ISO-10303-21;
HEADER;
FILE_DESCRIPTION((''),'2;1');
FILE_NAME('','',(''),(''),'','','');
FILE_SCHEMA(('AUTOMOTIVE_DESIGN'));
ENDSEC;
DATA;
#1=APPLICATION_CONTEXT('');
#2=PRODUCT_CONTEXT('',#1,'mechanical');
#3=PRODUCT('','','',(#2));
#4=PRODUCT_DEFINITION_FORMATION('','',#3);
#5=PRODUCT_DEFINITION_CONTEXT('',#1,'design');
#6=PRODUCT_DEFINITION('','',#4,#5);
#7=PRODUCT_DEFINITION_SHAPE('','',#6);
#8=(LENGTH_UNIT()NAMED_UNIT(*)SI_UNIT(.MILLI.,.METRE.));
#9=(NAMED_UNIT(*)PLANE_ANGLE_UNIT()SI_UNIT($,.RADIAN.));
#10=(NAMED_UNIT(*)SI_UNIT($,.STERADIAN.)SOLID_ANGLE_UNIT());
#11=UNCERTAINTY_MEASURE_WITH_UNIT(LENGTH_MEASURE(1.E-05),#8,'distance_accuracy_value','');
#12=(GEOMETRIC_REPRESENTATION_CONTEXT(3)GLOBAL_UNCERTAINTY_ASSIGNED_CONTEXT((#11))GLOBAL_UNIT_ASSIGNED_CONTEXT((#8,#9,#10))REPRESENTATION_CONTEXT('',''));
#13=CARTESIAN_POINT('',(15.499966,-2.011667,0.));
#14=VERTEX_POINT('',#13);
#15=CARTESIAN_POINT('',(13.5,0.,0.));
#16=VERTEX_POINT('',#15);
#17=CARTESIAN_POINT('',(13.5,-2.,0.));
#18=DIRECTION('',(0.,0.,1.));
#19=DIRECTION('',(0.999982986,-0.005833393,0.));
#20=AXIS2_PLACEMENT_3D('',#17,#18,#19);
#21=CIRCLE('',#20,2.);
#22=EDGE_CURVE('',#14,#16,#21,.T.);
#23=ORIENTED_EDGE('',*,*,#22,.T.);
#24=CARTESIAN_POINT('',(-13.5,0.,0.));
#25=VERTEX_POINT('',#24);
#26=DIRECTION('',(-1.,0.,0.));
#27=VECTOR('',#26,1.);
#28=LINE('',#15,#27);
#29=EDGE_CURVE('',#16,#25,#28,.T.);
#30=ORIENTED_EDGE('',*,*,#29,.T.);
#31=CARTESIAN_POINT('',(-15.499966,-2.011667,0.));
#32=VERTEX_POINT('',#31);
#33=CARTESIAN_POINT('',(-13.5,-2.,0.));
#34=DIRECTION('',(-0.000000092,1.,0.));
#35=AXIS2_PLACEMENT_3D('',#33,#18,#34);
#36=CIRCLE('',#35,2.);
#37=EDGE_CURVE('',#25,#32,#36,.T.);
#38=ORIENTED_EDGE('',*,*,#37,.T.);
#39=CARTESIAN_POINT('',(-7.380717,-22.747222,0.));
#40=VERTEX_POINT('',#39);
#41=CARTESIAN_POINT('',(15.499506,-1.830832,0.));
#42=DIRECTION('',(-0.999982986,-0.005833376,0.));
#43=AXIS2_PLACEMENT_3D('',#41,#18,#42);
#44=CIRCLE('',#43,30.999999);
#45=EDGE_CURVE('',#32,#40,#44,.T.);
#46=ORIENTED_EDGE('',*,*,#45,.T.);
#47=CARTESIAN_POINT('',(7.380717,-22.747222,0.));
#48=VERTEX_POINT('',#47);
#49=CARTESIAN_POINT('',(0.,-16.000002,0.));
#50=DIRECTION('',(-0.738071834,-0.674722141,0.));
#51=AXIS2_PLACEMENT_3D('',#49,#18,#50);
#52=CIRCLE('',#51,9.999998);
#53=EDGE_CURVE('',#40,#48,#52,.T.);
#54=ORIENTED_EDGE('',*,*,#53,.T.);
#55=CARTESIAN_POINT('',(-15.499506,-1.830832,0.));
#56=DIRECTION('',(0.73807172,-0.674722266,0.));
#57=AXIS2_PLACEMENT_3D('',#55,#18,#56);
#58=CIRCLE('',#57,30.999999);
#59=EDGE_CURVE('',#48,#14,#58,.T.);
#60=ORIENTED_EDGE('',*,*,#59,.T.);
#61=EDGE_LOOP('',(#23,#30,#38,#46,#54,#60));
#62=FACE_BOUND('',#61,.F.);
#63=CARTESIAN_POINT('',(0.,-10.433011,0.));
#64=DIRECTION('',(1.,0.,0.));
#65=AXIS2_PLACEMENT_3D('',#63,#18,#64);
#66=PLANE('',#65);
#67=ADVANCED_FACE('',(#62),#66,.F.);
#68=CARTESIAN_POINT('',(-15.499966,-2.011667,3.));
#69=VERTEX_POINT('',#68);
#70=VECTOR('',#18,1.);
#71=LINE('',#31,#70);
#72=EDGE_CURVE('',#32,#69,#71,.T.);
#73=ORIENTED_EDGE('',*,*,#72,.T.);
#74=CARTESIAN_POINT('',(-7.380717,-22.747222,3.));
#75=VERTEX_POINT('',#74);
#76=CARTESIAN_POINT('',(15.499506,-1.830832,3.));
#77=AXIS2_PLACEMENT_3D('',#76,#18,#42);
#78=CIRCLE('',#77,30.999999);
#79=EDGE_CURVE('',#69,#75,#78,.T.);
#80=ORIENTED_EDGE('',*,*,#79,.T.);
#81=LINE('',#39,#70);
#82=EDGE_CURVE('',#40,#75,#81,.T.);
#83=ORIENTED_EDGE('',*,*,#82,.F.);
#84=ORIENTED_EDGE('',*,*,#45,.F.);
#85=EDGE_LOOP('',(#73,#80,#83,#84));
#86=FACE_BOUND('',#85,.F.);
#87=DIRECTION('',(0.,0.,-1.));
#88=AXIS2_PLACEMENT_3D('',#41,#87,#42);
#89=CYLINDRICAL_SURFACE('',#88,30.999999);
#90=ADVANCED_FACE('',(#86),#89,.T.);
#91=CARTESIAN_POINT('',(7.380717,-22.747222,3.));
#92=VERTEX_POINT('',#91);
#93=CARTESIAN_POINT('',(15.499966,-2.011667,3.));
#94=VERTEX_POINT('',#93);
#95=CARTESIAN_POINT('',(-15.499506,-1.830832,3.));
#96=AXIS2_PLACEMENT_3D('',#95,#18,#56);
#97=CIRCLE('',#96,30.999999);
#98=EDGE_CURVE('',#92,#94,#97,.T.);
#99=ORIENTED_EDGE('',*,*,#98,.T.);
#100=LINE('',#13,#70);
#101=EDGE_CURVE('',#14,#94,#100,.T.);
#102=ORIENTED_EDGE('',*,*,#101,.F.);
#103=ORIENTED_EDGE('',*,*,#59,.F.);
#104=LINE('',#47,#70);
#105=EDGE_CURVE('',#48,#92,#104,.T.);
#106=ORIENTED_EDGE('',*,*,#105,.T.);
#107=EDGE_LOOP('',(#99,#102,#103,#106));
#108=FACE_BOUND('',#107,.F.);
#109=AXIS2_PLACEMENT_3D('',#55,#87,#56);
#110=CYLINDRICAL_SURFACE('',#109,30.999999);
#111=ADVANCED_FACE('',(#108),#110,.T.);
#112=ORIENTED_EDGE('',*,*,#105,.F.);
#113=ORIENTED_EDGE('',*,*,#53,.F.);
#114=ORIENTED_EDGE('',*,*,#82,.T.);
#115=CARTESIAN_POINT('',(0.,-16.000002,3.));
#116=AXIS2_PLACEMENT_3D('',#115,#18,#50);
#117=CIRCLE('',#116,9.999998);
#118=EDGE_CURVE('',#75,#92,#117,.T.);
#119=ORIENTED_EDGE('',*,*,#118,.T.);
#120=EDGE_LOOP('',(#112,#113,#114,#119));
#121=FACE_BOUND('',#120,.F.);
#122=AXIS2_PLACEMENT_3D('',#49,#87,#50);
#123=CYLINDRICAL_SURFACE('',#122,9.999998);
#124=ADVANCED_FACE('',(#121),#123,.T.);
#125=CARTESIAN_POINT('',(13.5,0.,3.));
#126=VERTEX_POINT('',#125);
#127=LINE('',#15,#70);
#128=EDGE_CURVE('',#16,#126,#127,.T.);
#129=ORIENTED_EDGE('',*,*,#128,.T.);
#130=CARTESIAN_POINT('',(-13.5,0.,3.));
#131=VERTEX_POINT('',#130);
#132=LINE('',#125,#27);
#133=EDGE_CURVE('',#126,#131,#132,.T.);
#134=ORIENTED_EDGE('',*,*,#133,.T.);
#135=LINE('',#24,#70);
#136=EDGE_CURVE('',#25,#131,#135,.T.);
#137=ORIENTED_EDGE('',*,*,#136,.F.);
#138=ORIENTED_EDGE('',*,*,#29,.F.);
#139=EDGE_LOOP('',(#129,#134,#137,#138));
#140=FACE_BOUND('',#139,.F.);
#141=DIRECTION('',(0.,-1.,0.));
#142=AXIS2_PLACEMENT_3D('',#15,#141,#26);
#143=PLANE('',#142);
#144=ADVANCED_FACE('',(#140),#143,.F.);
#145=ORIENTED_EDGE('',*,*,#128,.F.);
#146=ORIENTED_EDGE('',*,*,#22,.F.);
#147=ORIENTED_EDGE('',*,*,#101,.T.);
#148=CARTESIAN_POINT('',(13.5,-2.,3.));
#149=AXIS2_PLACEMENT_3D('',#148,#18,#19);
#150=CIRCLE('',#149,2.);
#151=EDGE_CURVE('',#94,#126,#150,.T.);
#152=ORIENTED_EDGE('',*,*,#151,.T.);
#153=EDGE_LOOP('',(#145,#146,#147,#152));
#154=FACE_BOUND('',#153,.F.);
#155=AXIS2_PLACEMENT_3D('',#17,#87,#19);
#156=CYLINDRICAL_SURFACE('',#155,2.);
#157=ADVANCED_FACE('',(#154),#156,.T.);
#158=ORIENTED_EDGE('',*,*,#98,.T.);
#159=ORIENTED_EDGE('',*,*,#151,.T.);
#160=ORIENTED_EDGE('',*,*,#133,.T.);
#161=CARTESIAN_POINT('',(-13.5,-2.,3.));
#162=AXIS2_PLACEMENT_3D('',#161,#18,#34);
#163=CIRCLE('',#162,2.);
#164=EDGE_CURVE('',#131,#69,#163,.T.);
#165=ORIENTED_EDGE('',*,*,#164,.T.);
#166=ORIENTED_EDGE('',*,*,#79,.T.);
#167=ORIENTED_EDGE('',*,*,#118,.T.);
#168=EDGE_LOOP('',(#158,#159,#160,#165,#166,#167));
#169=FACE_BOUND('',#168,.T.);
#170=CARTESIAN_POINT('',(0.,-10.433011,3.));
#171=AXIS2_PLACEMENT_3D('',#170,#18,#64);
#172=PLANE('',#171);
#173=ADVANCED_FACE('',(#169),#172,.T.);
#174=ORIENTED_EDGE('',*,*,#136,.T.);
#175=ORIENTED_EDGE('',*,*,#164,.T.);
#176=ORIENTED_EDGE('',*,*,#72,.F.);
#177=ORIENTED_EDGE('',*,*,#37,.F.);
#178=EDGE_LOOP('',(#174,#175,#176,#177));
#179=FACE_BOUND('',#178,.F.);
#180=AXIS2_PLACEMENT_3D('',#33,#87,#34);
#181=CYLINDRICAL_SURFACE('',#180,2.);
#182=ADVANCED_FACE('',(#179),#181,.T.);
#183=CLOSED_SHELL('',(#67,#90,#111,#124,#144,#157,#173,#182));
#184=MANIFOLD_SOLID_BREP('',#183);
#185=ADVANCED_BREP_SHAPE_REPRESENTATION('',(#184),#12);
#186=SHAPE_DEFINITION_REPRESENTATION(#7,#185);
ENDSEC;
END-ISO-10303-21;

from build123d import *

# Parameters (mm, degrees)
F1_DEPTH = 3


with BuildPart() as f1:
    # F0 (on Top) → F1 (new body)
    with BuildSketch(Plane.XY):
        with BuildLine():
            Line((0, 0), (-13.5, 0))
            ThreePointArc((-13.5, 0), (-14.918332, -0.589917), (-15.499966, -2.011667))
            ThreePointArc((-15.499966, -2.011667), (-13.366498, -13.133654), (-7.380717, -22.747222))
            ThreePointArc((-7.380717, -22.747222), (0, -26), (7.380717, -22.747222))
            ThreePointArc((7.380717, -22.747222), (13.366498, -13.133654), (15.499966, -2.011667))
            ThreePointArc((15.499966, -2.011667), (14.918332, -0.589917), (13.5, 0))
            Line((13.5, 0), (0, 0))
        make_face()
    extrude(amount=F1_DEPTH)


solid = f1.part
